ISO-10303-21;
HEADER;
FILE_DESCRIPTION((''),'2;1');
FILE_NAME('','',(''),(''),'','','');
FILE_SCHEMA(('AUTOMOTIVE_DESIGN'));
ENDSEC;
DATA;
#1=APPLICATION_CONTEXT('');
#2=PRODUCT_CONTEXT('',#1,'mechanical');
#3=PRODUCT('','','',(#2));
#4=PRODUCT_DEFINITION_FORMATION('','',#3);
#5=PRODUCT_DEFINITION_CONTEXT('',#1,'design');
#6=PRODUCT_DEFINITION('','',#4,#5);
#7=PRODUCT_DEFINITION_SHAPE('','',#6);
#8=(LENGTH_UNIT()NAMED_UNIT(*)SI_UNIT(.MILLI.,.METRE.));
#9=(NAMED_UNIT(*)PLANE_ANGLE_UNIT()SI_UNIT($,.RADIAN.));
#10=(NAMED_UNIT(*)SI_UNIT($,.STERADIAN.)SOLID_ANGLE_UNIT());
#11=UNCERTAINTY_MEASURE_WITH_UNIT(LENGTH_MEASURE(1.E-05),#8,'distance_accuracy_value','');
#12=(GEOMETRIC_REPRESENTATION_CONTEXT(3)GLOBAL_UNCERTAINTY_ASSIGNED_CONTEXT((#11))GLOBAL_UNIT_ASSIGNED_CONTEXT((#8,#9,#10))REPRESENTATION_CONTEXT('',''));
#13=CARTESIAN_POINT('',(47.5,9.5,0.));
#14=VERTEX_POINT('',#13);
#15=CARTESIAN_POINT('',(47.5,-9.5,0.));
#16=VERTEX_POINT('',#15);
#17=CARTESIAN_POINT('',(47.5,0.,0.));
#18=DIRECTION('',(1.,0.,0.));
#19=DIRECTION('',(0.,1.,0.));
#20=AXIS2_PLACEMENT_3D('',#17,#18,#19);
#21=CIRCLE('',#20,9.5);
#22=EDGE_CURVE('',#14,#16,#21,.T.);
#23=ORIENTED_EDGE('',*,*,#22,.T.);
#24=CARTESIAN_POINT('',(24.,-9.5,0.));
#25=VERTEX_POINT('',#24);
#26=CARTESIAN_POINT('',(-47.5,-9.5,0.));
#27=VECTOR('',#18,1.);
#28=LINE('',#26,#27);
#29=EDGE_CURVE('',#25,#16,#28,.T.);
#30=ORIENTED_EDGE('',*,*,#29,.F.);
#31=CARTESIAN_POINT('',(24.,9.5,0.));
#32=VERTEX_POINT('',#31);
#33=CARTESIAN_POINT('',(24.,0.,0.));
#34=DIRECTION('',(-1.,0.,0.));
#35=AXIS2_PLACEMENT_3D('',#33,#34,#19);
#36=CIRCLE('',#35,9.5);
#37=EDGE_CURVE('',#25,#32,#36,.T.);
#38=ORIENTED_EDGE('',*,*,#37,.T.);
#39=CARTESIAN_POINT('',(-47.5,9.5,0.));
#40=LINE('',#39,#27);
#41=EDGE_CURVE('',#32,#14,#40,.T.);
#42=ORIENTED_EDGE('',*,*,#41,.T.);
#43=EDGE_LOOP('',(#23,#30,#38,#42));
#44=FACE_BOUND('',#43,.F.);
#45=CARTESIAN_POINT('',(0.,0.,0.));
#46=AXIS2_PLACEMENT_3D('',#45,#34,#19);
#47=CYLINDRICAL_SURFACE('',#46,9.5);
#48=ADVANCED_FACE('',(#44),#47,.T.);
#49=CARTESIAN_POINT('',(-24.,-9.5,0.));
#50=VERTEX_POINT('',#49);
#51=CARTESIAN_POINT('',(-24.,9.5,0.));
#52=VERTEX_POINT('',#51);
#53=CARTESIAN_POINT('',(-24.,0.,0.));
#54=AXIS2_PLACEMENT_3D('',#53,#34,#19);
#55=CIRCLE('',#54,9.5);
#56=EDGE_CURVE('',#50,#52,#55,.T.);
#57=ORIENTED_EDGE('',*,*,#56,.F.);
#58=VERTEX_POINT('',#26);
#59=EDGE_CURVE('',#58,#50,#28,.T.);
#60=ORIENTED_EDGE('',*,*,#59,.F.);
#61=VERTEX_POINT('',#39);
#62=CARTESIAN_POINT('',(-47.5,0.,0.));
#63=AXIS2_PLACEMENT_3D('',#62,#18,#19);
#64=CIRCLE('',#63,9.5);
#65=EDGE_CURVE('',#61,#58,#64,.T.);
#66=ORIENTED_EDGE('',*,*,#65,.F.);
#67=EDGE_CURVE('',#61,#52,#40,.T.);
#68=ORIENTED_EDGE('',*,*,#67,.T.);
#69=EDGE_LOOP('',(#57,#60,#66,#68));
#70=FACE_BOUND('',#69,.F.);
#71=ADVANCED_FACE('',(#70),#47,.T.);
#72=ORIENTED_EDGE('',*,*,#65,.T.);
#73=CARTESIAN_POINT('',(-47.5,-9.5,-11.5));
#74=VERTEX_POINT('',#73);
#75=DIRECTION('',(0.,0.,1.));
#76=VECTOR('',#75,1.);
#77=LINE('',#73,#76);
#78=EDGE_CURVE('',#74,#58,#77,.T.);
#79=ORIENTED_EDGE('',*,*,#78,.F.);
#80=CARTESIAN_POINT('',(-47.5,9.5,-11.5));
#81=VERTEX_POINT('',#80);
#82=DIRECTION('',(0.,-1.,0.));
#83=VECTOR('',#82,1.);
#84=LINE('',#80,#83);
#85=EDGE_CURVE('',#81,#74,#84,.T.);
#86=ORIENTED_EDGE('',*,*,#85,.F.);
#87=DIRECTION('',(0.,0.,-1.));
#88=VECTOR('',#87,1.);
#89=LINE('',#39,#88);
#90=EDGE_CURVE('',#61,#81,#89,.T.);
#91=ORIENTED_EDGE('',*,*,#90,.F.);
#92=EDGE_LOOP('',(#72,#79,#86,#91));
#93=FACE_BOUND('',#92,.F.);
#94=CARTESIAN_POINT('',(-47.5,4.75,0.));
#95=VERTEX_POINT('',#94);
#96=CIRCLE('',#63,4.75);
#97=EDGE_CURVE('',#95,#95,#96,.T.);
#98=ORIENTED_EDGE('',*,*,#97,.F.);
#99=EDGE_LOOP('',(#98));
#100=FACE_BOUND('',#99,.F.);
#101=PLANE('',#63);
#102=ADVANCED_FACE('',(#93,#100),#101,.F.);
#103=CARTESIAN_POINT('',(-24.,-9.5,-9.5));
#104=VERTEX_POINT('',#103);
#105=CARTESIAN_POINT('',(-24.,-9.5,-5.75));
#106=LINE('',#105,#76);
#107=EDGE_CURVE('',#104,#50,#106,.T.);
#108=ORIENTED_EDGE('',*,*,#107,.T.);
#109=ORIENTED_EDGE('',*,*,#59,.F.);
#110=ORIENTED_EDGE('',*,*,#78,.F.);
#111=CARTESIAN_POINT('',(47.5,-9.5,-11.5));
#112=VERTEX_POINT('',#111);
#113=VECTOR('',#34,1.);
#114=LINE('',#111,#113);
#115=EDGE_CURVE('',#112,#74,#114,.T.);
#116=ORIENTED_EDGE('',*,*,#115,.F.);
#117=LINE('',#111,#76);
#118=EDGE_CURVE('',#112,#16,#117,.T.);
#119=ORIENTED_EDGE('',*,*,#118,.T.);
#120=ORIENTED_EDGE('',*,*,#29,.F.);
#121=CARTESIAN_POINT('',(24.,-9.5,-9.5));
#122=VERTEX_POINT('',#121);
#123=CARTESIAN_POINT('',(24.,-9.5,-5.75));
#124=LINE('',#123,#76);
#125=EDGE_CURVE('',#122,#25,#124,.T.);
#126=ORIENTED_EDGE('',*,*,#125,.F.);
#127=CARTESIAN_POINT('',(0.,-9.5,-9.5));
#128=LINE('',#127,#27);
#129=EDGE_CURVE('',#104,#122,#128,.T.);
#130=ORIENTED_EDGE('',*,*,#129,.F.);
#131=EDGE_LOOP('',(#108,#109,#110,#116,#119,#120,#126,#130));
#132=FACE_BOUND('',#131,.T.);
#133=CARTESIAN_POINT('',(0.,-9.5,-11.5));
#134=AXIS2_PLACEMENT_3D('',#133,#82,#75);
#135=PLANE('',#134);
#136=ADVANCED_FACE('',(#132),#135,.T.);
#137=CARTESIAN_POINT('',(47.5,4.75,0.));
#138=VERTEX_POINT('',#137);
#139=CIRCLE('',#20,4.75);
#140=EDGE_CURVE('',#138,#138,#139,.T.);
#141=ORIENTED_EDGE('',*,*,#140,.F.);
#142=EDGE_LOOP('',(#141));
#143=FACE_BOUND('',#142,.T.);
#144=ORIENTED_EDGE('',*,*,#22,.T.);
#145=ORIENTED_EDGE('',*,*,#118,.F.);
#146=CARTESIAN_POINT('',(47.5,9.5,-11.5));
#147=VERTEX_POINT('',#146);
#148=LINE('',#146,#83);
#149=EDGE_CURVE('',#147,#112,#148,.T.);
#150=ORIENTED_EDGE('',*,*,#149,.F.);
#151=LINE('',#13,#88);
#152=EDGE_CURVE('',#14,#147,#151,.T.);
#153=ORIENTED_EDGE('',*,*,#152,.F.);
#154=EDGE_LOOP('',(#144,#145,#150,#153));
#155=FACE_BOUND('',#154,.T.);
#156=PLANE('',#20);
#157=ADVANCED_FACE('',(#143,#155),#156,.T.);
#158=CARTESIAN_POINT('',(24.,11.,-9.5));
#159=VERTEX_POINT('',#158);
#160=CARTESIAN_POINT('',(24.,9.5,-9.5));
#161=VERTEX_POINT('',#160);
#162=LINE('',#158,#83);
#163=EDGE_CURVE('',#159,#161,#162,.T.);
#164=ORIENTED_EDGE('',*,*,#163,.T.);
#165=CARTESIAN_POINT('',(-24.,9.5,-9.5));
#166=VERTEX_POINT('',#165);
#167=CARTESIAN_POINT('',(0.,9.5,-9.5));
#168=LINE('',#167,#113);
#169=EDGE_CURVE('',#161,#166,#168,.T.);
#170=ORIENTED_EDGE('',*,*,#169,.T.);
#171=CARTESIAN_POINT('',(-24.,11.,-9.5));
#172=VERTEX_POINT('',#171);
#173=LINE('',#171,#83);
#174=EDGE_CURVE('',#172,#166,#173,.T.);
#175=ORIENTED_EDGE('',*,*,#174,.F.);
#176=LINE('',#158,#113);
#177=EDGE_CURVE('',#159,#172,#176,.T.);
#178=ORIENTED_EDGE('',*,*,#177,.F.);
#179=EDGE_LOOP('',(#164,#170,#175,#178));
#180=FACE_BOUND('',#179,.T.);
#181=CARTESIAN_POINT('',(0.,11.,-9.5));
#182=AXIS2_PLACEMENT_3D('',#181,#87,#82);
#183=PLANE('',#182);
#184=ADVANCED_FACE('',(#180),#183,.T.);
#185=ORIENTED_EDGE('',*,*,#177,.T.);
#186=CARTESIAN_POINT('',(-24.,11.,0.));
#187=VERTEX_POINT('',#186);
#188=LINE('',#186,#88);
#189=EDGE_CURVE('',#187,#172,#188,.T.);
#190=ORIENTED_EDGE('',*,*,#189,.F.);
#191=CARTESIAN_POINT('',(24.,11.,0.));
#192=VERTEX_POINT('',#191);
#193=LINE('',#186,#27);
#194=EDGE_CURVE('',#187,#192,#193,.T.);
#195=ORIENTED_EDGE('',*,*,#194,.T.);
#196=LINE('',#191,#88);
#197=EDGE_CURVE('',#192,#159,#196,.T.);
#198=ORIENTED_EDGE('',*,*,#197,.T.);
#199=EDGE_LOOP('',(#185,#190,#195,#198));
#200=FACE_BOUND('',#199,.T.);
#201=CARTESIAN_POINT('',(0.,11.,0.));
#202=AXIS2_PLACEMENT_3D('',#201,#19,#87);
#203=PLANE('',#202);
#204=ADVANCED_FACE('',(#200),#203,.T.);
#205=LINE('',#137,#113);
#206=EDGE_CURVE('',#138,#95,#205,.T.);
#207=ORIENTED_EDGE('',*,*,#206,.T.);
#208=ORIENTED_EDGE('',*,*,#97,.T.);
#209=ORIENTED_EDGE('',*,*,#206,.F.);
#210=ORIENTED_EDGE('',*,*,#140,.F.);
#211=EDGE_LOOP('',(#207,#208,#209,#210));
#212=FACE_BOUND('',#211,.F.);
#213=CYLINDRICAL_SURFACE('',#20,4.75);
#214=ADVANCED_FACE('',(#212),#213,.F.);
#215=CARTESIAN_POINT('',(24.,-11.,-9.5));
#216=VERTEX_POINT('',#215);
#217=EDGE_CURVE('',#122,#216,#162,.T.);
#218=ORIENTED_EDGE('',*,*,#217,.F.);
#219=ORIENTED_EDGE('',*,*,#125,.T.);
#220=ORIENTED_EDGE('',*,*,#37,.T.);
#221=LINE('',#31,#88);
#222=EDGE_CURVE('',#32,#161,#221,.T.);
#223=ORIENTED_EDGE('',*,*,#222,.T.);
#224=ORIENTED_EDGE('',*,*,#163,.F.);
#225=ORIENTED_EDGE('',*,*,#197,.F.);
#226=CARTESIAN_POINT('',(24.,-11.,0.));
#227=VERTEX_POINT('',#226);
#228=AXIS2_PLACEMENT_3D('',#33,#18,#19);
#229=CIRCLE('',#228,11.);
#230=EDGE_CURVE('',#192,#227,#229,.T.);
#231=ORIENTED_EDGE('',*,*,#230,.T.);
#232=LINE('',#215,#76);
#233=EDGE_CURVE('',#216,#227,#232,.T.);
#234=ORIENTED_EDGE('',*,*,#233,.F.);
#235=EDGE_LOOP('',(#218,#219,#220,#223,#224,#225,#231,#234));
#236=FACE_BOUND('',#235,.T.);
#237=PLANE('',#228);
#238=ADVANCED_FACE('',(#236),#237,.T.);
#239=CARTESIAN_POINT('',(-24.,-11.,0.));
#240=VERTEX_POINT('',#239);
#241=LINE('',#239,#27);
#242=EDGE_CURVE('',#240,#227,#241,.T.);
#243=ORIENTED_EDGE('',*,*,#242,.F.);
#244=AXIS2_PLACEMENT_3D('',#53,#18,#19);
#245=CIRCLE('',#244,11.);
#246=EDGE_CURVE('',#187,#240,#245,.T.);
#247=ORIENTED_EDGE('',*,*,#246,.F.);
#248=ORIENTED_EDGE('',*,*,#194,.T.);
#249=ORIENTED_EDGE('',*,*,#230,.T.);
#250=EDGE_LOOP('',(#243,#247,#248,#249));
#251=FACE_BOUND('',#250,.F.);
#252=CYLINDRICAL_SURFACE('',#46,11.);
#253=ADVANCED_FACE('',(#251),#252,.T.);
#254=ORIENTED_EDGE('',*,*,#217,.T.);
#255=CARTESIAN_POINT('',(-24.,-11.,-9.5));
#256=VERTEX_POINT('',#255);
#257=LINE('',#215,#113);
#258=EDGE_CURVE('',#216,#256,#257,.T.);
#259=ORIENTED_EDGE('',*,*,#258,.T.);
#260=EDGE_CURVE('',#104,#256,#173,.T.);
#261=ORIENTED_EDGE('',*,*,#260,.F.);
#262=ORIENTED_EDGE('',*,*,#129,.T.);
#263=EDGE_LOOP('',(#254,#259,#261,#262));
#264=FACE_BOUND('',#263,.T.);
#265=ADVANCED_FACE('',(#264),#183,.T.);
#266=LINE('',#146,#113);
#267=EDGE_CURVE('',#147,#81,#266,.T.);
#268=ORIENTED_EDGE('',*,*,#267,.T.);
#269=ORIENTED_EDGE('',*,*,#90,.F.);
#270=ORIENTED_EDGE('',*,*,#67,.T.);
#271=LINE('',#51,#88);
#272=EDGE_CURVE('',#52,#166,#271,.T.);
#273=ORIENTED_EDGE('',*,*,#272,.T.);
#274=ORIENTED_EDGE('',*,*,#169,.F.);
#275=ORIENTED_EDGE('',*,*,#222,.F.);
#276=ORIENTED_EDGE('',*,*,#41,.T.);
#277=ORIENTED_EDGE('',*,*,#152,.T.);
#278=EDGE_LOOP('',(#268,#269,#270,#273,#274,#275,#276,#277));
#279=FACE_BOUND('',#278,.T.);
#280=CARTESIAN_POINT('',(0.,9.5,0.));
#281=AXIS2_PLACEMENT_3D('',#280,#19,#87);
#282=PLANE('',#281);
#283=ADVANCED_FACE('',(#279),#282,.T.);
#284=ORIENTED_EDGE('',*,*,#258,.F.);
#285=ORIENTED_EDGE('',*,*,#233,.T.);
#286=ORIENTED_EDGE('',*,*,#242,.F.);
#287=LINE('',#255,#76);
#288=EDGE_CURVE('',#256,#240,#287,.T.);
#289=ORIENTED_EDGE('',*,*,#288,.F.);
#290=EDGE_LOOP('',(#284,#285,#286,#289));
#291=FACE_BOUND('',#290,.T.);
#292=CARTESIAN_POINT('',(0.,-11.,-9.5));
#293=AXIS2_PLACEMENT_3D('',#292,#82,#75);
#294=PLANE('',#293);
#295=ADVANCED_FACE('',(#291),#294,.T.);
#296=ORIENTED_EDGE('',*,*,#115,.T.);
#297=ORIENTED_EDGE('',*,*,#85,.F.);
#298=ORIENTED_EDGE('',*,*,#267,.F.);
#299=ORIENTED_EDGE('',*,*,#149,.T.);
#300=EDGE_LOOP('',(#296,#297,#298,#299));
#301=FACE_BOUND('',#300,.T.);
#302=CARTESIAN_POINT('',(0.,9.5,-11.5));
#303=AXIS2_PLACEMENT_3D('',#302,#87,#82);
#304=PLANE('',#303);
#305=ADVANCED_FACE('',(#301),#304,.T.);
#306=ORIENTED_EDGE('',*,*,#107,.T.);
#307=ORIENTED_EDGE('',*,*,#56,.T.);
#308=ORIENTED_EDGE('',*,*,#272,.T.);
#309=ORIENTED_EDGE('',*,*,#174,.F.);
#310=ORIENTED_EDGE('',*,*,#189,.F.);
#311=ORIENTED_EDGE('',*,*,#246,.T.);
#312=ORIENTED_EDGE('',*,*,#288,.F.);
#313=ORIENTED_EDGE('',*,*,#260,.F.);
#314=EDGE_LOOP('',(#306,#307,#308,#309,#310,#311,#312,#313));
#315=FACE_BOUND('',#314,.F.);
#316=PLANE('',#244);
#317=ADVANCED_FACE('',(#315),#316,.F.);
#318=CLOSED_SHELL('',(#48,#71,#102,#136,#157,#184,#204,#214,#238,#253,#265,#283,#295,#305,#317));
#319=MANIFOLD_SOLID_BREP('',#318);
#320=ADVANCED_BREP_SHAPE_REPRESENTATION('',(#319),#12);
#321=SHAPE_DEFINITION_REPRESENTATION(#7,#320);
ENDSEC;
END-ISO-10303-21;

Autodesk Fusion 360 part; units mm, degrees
sketch "スケッチ4" plane through (0, 0, 0) normal (1, 0, 0) x (0, 1, 0)
  arc A0 (9.5, 0) -> (-9.5, 0) centre (0, 0) ccw
  line L0 (9.5, 0) -> (9.5, -11.5)
  line L1 (9.5, -11.5) -> (-9.5, -11.5)
  line L2 (-9.5, -11.5) -> (-9.5, 0)
  dimension "d8" = 9.5
  dimension "d9" = 19
  dimension "d10" = 11.5
extrude "押し出し2" add sketch "スケッチ4" along normal mid plane 95
sketch "スケッチ6" plane through (0, 0, 0) normal (1, 0, 0) x (0, 1, 0)
  arc A0 (11, 0) -> (-11, 0) centre (0, 0) ccw
  line L0 (11, 0) -> (11, -9.5)
  line L1 (11, -9.5) -> (-11, -9.5)
  line L2 (-11, -9.5) -> (-11, 0)
  dimension "d17" = 9.5
  dimension "d18" = 22
extrude "押し出し3" add sketch "スケッチ6" along normal mid plane 48
sketch "スケッチ7" plane through (47.5, 0, 0) normal (1, 0, 0) x (0, 1, 0)
  arc A0 (9.5, 0) -> (-9.5, 0) centre (0, 0) ccw
  line L0 (-9.5, 0) -> (-9.5, -11.5)
  line L1 (-9.5, -11.5) -> (9.5, -11.5)
  line L2 (9.5, -11.5) -> (9.5, 0)
  circle A1 centre (0, 0) radius 4.75
  dimension "d21" = 9.5
extrude "押し出し4" cut sketch "スケッチ7" along normal through all and the other way through all contours A1
